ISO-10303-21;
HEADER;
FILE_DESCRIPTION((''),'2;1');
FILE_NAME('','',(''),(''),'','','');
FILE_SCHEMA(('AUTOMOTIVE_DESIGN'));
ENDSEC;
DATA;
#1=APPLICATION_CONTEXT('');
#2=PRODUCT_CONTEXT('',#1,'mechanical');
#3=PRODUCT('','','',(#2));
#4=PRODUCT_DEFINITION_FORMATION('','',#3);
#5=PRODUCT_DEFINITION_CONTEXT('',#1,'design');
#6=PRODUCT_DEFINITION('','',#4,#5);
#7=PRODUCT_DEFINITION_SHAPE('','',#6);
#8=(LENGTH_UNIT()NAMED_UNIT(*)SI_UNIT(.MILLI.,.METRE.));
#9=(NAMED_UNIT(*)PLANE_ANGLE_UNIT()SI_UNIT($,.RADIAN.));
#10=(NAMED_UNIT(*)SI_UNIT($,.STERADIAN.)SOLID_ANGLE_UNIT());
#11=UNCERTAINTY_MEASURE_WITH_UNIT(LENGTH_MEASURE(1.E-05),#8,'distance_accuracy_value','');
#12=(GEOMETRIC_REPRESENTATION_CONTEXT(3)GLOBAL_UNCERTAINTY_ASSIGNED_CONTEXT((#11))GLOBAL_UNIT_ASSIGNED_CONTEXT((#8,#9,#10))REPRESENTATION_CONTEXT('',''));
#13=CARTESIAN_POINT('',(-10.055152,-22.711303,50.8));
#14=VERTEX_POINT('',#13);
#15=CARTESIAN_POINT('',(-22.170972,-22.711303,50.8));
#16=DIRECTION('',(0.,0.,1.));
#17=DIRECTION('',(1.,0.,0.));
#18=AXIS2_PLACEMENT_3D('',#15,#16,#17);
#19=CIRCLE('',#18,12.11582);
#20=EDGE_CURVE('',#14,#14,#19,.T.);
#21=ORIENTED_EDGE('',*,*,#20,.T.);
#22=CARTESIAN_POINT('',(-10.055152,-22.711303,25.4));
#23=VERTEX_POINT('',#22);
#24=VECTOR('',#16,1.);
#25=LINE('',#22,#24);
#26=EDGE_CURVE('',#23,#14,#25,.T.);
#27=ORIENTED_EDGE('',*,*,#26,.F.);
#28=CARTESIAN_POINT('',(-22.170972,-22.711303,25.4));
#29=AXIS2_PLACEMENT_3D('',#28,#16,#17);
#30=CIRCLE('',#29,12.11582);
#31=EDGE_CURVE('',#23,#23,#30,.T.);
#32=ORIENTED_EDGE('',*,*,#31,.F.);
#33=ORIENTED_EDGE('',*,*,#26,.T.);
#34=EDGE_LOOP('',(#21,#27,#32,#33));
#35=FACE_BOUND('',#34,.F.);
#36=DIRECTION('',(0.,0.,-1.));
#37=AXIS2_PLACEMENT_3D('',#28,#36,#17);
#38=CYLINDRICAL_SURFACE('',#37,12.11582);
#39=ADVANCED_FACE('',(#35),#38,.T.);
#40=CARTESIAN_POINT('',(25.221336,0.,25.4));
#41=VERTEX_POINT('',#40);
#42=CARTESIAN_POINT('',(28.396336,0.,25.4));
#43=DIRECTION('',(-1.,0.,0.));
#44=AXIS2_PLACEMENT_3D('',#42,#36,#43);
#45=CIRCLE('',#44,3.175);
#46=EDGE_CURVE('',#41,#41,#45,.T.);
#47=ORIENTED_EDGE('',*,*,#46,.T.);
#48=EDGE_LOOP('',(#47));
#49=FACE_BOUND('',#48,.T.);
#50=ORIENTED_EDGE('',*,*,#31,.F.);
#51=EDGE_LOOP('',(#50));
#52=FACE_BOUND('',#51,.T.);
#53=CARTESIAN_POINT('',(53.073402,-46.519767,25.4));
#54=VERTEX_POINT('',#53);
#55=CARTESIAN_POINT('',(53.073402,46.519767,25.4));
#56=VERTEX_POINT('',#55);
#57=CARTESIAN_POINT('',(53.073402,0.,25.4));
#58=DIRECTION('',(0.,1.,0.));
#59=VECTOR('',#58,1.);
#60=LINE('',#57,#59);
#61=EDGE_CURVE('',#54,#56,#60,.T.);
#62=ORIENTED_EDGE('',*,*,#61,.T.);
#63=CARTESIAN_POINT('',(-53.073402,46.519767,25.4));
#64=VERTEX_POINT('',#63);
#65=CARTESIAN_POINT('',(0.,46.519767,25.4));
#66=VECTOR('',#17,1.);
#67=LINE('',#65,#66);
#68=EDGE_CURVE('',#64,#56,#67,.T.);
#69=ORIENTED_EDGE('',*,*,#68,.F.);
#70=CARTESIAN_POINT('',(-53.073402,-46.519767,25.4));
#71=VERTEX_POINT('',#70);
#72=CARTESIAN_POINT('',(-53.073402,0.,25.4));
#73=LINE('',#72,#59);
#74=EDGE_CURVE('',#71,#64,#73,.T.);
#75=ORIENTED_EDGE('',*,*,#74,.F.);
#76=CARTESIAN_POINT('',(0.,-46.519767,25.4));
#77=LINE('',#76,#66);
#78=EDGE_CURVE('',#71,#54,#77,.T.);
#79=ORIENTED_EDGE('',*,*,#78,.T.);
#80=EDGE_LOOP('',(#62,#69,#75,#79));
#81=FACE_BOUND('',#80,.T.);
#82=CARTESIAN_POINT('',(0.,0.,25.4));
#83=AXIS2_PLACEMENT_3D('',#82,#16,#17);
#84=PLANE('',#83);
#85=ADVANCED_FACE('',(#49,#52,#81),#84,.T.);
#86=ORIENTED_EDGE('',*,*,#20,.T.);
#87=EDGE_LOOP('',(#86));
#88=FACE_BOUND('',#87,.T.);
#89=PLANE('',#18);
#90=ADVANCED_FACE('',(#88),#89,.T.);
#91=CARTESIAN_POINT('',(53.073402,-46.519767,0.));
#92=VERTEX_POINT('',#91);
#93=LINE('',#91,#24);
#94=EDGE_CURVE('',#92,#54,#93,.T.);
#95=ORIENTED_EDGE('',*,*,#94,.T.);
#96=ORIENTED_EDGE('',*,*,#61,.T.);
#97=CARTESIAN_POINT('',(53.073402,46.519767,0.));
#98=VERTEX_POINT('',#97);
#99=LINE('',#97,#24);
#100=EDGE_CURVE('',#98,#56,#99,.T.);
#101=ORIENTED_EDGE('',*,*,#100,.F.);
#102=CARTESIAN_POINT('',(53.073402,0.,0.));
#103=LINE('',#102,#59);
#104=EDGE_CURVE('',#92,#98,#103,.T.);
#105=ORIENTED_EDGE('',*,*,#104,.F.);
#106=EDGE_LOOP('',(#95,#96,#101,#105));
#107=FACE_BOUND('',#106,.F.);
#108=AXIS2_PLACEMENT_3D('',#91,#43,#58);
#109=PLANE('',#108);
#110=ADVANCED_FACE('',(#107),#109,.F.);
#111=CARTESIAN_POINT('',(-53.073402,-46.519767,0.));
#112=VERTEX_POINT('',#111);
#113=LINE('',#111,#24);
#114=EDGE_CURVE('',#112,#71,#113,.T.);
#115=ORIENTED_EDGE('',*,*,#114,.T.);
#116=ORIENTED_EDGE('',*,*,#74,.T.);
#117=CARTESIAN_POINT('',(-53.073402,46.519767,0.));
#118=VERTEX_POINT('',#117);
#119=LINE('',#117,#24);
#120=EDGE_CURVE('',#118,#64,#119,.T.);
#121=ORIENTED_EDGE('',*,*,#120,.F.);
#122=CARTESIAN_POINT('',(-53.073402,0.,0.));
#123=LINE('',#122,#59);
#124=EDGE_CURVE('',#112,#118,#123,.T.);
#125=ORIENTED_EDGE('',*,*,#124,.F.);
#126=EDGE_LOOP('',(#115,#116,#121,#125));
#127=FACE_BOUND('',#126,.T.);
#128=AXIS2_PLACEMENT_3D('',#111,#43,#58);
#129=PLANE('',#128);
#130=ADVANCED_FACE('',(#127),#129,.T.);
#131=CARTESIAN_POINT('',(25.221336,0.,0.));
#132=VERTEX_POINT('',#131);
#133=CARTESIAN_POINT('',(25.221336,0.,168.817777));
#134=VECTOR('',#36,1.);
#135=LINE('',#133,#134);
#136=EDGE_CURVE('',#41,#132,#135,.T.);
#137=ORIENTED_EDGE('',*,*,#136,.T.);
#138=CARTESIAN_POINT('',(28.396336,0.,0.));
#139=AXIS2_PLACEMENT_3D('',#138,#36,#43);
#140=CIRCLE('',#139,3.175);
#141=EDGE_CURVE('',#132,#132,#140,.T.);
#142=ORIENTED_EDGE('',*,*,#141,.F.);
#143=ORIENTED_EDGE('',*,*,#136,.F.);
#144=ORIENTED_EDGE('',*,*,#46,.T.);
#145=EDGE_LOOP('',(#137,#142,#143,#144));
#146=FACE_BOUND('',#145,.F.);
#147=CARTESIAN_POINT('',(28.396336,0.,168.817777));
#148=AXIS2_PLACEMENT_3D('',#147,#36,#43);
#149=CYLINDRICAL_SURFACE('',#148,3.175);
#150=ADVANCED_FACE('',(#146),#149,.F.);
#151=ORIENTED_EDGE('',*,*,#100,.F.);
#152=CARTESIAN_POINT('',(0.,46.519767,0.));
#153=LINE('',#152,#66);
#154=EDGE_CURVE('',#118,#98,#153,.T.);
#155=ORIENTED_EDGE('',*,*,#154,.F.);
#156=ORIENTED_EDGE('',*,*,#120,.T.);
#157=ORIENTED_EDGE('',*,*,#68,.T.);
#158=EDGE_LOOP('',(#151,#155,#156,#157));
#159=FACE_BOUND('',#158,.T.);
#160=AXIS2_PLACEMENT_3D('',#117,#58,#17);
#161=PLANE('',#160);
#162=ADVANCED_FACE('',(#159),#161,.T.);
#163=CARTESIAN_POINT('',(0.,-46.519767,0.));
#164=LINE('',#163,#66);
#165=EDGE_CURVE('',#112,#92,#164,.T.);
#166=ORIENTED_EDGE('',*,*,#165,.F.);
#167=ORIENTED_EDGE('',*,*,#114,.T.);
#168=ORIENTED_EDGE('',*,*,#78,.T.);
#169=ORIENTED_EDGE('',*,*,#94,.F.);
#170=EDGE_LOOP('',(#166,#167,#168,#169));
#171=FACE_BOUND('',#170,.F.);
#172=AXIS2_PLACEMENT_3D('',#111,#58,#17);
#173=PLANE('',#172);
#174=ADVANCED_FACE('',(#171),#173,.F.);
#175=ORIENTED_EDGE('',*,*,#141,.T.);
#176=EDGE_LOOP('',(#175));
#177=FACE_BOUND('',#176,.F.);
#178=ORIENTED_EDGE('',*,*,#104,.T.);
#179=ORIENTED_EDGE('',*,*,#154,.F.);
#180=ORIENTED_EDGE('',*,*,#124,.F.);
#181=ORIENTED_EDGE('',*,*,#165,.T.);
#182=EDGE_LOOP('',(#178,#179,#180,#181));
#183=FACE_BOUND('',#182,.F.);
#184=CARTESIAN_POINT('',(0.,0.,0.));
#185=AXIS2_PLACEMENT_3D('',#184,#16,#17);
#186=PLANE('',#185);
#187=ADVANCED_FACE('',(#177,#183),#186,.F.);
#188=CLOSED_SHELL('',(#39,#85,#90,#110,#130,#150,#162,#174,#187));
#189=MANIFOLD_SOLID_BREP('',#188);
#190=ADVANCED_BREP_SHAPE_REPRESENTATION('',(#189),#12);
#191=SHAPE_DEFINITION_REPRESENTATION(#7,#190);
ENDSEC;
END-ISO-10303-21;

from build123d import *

# Parameters (mm, degrees)
F0_W     = 106.146804
F0_H     = 93.039534
F1_DEPTH = 25.4
F3_D     = 6.35
F4_R     = 12.11582
F5_DEPTH = 25.4


with BuildPart() as f1:
    # F0 (on Top) → F1 (new body)
    with BuildSketch(Plane.XY):
        Rectangle(F0_W, F0_H)
    extrude(amount=F1_DEPTH)

    # F3 (through all)
    with Locations(Plane.XY.offset(25.4)):
        with Locations((28.396336, 0)):
            Hole(F3_D / 2)

    # F4 (on face) → F5 (join)
    with BuildSketch(Plane.XY.offset(25.4)):
        with Locations((-22.170972, -22.711303)):
            Circle(F4_R)
    extrude(amount=F5_DEPTH)


solid = f1.part
